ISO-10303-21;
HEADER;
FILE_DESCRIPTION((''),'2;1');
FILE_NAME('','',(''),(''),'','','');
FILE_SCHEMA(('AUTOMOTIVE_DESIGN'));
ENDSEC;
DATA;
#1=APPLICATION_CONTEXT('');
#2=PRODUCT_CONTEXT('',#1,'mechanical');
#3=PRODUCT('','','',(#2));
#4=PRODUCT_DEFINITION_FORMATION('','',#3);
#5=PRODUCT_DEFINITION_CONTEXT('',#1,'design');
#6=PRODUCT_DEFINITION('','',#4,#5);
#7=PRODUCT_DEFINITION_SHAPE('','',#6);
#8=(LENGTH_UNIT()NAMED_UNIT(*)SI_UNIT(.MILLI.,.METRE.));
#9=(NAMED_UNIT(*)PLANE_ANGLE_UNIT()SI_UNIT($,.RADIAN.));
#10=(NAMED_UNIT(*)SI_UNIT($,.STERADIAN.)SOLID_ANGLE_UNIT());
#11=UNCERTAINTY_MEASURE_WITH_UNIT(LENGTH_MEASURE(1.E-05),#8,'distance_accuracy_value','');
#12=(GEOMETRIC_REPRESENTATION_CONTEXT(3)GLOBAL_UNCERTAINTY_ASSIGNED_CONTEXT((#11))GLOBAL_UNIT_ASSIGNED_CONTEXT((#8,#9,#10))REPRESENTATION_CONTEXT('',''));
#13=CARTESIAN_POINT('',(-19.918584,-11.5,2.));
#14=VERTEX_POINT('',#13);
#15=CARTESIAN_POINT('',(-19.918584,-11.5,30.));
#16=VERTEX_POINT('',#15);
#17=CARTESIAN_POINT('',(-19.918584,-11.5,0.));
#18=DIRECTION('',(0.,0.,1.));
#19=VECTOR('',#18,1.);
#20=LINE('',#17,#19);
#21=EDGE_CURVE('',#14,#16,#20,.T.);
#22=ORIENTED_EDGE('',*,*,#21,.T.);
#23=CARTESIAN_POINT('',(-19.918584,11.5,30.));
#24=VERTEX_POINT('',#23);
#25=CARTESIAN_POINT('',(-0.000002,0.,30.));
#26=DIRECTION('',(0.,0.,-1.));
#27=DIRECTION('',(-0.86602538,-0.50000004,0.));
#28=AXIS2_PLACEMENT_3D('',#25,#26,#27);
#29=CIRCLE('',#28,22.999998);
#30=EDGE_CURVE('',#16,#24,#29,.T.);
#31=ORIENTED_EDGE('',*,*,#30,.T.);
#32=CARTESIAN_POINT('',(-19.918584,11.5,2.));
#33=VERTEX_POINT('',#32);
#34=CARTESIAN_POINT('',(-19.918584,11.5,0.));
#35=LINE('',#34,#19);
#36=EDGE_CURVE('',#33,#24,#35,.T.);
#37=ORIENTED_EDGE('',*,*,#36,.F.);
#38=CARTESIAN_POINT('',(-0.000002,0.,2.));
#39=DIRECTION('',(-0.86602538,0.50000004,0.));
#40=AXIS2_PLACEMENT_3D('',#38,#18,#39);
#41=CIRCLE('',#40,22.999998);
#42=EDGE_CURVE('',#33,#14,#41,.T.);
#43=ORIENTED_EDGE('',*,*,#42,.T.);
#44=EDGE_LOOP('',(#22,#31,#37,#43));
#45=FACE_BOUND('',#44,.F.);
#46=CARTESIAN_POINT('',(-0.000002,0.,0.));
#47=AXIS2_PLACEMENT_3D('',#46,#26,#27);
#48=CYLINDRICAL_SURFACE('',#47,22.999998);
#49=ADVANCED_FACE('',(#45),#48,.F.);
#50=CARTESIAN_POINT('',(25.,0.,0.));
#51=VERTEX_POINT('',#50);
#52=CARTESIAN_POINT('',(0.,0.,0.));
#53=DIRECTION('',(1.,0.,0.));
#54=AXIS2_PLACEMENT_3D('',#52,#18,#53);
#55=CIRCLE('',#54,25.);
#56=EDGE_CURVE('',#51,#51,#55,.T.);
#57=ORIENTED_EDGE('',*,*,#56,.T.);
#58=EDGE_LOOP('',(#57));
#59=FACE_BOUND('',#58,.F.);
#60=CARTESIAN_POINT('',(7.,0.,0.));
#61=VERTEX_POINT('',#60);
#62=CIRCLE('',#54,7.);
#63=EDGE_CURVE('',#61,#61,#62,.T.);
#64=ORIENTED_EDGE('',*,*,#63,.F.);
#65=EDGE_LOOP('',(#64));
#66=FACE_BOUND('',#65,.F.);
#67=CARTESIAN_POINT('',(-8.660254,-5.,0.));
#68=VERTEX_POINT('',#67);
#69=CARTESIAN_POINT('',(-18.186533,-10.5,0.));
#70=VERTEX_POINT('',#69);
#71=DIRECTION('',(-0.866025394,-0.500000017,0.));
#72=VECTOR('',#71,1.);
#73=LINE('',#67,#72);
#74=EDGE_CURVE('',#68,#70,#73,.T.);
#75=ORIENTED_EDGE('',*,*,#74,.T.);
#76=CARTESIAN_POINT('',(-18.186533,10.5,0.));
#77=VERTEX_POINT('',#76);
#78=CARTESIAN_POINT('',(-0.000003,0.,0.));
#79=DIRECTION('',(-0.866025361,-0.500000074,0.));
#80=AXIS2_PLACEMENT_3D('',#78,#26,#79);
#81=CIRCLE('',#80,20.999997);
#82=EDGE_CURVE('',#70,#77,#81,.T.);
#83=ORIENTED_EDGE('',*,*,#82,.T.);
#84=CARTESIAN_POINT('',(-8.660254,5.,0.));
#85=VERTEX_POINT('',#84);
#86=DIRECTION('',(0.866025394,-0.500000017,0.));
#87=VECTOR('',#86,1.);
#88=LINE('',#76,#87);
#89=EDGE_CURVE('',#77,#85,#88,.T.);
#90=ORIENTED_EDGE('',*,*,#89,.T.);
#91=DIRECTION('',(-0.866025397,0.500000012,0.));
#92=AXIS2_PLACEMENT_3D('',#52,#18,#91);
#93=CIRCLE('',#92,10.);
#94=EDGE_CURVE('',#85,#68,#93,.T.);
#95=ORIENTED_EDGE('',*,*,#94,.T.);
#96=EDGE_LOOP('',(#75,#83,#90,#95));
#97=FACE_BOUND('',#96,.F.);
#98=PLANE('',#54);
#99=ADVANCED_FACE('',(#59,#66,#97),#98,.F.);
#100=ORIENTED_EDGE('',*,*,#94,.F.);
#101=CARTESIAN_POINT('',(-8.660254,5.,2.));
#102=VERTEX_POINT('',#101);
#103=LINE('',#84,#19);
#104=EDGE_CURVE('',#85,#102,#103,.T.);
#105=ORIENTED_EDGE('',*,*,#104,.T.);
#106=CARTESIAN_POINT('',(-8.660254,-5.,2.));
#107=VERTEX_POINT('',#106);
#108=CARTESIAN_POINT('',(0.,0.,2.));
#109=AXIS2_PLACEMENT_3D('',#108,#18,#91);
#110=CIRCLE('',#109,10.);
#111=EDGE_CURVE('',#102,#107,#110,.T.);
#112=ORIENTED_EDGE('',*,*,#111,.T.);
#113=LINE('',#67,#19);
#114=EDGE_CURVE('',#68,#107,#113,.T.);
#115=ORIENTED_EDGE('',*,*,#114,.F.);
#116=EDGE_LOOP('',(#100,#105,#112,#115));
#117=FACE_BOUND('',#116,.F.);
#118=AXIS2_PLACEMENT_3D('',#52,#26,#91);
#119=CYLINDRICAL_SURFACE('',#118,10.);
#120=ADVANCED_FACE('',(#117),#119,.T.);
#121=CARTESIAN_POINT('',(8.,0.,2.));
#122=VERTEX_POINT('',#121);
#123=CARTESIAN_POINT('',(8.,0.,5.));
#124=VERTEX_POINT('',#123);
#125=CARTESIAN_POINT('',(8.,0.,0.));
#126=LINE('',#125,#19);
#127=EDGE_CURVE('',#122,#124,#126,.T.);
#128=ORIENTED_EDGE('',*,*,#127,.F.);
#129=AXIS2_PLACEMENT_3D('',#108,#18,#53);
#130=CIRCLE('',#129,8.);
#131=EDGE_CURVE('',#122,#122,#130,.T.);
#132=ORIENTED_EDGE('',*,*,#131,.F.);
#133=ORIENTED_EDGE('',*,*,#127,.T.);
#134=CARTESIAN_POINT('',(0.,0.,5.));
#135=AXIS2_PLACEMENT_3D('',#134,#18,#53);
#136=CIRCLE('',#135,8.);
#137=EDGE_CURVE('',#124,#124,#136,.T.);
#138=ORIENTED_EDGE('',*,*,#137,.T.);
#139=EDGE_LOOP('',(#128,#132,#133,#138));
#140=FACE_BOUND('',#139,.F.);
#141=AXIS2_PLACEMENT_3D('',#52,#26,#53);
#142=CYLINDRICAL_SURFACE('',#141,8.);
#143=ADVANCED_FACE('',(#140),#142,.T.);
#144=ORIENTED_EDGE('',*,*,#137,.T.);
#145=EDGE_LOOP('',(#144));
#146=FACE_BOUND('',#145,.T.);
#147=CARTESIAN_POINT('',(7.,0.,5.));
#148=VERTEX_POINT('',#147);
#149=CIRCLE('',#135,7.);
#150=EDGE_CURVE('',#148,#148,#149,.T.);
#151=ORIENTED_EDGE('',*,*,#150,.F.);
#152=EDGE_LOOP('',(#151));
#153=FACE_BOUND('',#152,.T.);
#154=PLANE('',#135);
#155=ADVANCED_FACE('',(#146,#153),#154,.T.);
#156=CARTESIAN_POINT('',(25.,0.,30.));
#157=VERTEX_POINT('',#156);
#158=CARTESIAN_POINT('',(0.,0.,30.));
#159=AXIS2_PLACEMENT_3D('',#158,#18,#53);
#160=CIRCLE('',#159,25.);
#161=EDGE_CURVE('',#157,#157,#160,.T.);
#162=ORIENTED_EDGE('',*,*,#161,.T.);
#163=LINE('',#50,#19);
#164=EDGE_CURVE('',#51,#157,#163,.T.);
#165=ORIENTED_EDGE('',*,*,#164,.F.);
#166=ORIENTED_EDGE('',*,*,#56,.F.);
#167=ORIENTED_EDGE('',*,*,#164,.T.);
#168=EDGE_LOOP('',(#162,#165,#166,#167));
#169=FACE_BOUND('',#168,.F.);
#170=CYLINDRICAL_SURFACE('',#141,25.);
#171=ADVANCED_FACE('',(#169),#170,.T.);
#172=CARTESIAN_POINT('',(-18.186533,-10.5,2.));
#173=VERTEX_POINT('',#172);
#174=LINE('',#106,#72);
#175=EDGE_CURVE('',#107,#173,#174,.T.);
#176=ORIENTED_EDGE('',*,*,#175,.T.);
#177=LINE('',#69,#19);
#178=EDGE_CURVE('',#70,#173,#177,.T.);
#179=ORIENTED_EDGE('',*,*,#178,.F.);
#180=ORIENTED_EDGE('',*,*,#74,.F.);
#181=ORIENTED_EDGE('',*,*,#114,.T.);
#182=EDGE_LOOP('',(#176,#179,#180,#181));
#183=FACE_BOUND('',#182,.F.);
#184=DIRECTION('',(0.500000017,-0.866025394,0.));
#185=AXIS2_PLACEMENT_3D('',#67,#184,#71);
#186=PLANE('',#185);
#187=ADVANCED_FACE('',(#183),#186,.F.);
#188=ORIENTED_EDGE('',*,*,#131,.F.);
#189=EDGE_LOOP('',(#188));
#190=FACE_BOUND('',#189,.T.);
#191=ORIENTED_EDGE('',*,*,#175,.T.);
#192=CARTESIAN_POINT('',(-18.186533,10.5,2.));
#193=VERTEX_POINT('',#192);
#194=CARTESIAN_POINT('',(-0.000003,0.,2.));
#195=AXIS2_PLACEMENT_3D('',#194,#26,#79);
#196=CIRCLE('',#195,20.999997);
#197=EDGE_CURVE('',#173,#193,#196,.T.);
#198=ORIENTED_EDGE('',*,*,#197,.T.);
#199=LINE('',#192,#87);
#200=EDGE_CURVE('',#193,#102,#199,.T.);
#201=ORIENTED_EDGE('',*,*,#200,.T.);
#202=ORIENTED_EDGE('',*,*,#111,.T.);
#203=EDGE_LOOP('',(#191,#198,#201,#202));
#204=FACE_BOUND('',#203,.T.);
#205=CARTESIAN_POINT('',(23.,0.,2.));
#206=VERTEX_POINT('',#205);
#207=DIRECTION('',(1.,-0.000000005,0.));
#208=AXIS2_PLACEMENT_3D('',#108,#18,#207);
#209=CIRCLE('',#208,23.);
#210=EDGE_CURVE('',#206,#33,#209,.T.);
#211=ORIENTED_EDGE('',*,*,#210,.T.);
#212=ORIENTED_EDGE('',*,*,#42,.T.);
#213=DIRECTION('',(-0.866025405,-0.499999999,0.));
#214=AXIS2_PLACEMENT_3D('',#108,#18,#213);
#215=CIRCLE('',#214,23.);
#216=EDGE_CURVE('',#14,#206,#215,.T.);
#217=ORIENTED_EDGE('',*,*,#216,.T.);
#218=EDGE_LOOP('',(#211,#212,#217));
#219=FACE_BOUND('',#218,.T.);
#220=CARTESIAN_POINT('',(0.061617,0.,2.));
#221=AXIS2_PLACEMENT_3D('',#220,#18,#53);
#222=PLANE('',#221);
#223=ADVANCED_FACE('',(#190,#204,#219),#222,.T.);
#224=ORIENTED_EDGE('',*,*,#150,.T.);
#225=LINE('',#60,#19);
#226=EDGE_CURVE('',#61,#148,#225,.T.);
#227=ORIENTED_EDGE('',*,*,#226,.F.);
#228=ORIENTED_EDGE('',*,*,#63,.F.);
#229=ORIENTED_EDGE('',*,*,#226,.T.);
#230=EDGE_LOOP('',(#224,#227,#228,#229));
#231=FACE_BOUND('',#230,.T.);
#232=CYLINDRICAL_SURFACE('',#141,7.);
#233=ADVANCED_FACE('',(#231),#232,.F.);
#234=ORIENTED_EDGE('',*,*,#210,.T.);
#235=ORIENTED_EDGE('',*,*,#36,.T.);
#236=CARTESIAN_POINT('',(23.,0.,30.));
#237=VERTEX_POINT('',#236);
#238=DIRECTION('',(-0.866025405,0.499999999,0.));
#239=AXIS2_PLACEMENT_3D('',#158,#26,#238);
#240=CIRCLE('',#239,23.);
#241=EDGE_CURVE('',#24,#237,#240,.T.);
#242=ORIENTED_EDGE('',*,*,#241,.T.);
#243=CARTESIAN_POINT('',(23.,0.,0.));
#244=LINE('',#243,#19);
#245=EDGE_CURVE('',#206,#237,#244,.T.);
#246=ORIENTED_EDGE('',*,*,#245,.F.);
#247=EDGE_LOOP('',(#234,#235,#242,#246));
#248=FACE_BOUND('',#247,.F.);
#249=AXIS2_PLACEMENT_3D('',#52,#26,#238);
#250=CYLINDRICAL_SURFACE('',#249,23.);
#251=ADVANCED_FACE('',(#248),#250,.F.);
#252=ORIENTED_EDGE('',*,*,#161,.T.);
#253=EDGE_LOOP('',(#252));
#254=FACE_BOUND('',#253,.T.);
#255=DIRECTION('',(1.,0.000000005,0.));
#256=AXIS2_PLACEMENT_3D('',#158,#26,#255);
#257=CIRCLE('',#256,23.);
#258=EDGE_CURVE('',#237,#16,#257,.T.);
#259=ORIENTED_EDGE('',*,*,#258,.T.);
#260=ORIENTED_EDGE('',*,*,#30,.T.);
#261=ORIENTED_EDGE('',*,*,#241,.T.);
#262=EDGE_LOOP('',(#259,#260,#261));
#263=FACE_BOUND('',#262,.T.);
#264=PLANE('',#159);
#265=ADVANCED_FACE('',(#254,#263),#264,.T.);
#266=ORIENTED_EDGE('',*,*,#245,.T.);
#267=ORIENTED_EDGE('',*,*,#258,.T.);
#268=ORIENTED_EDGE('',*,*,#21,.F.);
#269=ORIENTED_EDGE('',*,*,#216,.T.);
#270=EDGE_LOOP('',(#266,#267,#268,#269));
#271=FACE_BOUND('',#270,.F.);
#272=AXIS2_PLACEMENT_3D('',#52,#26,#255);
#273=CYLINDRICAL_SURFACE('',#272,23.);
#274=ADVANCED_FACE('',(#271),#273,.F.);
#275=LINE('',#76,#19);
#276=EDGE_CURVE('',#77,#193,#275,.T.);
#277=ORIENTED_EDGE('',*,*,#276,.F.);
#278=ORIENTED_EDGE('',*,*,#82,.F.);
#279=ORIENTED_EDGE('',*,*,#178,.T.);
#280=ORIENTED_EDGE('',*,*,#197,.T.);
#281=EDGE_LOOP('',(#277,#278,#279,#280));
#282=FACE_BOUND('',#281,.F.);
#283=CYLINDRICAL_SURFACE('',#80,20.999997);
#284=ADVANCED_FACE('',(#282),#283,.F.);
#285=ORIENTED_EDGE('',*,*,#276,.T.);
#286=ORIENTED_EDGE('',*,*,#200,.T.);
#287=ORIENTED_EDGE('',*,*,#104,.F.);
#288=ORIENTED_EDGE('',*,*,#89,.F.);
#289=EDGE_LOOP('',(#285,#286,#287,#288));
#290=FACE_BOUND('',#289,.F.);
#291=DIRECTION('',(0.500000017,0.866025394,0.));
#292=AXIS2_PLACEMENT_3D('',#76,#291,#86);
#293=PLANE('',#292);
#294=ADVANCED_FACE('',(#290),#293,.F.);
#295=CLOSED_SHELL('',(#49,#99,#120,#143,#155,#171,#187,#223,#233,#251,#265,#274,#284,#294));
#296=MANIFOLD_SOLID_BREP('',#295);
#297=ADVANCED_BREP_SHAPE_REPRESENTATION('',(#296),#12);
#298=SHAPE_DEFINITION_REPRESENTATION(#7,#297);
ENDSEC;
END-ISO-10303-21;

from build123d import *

# Parameters (mm, degrees)
F0_R     = 9
F0_R_2   = 8
F1_DEPTH = 2
F0_R_3   = 7
F2_DEPTH = 5
F0_R_4   = 25
F3_DEPTH = 30


with BuildPart() as f1:
    # F0 (on Top) → F1 (new body)
    with BuildSketch(Plane.XY):
        with BuildLine():
            ThreePointArc((-19.918584, -11.5), (5.952838, -22.216294), (23, 0))
            ThreePointArc((23, 0), (5.952838, 22.216294), (-19.918584, 11.5))
            Line((-19.918584, 11.5), (-18.186533, 10.5))
            Line((-18.186533, 10.5), (-8.660254, 5))
            ThreePointArc((-8.660254, 5), (-10, 0), (-8.660254, -5))
            Line((-8.660254, -5), (-18.186533, -10.5))
            Line((-18.186533, -10.5), (-19.918584, -11.5))
        make_face()
        Circle(F0_R, mode=Mode.SUBTRACT)
        Circle(F0_R)
        Circle(F0_R_2, mode=Mode.SUBTRACT)
        with BuildLine():
            Line((-18.186533, 10.5), (-19.918584, 11.5))
            ThreePointArc((-19.918584, 11.5), (-23, 0), (-19.918584, -11.5))
            Line((-19.918584, -11.5), (-18.186533, -10.5))
            ThreePointArc((-18.186533, -10.5), (-21, 0), (-18.186533, 10.5))
        make_face()
    extrude(amount=F1_DEPTH)

    # F0 (on Top) → F2 (join)
    with BuildSketch(Plane.XY):
        Circle(F0_R_2)
        Circle(F0_R_3, mode=Mode.SUBTRACT)
    extrude(amount=F2_DEPTH)

    # F0 (on Top) → F3 (join)
    with BuildSketch(Plane.XY):
        Circle(F0_R_4)
        with BuildLine():
            ThreePointArc((-19.918584, 11.5), (5.952838, 22.216294), (23, 0))
            ThreePointArc((23, 0), (5.952838, -22.216294), (-19.918584, -11.5))
            ThreePointArc((-19.918584, -11.5), (-23, 0), (-19.918584, 11.5))
        make_face(mode=Mode.SUBTRACT)
    extrude(amount=F3_DEPTH)


solid = f1.part
